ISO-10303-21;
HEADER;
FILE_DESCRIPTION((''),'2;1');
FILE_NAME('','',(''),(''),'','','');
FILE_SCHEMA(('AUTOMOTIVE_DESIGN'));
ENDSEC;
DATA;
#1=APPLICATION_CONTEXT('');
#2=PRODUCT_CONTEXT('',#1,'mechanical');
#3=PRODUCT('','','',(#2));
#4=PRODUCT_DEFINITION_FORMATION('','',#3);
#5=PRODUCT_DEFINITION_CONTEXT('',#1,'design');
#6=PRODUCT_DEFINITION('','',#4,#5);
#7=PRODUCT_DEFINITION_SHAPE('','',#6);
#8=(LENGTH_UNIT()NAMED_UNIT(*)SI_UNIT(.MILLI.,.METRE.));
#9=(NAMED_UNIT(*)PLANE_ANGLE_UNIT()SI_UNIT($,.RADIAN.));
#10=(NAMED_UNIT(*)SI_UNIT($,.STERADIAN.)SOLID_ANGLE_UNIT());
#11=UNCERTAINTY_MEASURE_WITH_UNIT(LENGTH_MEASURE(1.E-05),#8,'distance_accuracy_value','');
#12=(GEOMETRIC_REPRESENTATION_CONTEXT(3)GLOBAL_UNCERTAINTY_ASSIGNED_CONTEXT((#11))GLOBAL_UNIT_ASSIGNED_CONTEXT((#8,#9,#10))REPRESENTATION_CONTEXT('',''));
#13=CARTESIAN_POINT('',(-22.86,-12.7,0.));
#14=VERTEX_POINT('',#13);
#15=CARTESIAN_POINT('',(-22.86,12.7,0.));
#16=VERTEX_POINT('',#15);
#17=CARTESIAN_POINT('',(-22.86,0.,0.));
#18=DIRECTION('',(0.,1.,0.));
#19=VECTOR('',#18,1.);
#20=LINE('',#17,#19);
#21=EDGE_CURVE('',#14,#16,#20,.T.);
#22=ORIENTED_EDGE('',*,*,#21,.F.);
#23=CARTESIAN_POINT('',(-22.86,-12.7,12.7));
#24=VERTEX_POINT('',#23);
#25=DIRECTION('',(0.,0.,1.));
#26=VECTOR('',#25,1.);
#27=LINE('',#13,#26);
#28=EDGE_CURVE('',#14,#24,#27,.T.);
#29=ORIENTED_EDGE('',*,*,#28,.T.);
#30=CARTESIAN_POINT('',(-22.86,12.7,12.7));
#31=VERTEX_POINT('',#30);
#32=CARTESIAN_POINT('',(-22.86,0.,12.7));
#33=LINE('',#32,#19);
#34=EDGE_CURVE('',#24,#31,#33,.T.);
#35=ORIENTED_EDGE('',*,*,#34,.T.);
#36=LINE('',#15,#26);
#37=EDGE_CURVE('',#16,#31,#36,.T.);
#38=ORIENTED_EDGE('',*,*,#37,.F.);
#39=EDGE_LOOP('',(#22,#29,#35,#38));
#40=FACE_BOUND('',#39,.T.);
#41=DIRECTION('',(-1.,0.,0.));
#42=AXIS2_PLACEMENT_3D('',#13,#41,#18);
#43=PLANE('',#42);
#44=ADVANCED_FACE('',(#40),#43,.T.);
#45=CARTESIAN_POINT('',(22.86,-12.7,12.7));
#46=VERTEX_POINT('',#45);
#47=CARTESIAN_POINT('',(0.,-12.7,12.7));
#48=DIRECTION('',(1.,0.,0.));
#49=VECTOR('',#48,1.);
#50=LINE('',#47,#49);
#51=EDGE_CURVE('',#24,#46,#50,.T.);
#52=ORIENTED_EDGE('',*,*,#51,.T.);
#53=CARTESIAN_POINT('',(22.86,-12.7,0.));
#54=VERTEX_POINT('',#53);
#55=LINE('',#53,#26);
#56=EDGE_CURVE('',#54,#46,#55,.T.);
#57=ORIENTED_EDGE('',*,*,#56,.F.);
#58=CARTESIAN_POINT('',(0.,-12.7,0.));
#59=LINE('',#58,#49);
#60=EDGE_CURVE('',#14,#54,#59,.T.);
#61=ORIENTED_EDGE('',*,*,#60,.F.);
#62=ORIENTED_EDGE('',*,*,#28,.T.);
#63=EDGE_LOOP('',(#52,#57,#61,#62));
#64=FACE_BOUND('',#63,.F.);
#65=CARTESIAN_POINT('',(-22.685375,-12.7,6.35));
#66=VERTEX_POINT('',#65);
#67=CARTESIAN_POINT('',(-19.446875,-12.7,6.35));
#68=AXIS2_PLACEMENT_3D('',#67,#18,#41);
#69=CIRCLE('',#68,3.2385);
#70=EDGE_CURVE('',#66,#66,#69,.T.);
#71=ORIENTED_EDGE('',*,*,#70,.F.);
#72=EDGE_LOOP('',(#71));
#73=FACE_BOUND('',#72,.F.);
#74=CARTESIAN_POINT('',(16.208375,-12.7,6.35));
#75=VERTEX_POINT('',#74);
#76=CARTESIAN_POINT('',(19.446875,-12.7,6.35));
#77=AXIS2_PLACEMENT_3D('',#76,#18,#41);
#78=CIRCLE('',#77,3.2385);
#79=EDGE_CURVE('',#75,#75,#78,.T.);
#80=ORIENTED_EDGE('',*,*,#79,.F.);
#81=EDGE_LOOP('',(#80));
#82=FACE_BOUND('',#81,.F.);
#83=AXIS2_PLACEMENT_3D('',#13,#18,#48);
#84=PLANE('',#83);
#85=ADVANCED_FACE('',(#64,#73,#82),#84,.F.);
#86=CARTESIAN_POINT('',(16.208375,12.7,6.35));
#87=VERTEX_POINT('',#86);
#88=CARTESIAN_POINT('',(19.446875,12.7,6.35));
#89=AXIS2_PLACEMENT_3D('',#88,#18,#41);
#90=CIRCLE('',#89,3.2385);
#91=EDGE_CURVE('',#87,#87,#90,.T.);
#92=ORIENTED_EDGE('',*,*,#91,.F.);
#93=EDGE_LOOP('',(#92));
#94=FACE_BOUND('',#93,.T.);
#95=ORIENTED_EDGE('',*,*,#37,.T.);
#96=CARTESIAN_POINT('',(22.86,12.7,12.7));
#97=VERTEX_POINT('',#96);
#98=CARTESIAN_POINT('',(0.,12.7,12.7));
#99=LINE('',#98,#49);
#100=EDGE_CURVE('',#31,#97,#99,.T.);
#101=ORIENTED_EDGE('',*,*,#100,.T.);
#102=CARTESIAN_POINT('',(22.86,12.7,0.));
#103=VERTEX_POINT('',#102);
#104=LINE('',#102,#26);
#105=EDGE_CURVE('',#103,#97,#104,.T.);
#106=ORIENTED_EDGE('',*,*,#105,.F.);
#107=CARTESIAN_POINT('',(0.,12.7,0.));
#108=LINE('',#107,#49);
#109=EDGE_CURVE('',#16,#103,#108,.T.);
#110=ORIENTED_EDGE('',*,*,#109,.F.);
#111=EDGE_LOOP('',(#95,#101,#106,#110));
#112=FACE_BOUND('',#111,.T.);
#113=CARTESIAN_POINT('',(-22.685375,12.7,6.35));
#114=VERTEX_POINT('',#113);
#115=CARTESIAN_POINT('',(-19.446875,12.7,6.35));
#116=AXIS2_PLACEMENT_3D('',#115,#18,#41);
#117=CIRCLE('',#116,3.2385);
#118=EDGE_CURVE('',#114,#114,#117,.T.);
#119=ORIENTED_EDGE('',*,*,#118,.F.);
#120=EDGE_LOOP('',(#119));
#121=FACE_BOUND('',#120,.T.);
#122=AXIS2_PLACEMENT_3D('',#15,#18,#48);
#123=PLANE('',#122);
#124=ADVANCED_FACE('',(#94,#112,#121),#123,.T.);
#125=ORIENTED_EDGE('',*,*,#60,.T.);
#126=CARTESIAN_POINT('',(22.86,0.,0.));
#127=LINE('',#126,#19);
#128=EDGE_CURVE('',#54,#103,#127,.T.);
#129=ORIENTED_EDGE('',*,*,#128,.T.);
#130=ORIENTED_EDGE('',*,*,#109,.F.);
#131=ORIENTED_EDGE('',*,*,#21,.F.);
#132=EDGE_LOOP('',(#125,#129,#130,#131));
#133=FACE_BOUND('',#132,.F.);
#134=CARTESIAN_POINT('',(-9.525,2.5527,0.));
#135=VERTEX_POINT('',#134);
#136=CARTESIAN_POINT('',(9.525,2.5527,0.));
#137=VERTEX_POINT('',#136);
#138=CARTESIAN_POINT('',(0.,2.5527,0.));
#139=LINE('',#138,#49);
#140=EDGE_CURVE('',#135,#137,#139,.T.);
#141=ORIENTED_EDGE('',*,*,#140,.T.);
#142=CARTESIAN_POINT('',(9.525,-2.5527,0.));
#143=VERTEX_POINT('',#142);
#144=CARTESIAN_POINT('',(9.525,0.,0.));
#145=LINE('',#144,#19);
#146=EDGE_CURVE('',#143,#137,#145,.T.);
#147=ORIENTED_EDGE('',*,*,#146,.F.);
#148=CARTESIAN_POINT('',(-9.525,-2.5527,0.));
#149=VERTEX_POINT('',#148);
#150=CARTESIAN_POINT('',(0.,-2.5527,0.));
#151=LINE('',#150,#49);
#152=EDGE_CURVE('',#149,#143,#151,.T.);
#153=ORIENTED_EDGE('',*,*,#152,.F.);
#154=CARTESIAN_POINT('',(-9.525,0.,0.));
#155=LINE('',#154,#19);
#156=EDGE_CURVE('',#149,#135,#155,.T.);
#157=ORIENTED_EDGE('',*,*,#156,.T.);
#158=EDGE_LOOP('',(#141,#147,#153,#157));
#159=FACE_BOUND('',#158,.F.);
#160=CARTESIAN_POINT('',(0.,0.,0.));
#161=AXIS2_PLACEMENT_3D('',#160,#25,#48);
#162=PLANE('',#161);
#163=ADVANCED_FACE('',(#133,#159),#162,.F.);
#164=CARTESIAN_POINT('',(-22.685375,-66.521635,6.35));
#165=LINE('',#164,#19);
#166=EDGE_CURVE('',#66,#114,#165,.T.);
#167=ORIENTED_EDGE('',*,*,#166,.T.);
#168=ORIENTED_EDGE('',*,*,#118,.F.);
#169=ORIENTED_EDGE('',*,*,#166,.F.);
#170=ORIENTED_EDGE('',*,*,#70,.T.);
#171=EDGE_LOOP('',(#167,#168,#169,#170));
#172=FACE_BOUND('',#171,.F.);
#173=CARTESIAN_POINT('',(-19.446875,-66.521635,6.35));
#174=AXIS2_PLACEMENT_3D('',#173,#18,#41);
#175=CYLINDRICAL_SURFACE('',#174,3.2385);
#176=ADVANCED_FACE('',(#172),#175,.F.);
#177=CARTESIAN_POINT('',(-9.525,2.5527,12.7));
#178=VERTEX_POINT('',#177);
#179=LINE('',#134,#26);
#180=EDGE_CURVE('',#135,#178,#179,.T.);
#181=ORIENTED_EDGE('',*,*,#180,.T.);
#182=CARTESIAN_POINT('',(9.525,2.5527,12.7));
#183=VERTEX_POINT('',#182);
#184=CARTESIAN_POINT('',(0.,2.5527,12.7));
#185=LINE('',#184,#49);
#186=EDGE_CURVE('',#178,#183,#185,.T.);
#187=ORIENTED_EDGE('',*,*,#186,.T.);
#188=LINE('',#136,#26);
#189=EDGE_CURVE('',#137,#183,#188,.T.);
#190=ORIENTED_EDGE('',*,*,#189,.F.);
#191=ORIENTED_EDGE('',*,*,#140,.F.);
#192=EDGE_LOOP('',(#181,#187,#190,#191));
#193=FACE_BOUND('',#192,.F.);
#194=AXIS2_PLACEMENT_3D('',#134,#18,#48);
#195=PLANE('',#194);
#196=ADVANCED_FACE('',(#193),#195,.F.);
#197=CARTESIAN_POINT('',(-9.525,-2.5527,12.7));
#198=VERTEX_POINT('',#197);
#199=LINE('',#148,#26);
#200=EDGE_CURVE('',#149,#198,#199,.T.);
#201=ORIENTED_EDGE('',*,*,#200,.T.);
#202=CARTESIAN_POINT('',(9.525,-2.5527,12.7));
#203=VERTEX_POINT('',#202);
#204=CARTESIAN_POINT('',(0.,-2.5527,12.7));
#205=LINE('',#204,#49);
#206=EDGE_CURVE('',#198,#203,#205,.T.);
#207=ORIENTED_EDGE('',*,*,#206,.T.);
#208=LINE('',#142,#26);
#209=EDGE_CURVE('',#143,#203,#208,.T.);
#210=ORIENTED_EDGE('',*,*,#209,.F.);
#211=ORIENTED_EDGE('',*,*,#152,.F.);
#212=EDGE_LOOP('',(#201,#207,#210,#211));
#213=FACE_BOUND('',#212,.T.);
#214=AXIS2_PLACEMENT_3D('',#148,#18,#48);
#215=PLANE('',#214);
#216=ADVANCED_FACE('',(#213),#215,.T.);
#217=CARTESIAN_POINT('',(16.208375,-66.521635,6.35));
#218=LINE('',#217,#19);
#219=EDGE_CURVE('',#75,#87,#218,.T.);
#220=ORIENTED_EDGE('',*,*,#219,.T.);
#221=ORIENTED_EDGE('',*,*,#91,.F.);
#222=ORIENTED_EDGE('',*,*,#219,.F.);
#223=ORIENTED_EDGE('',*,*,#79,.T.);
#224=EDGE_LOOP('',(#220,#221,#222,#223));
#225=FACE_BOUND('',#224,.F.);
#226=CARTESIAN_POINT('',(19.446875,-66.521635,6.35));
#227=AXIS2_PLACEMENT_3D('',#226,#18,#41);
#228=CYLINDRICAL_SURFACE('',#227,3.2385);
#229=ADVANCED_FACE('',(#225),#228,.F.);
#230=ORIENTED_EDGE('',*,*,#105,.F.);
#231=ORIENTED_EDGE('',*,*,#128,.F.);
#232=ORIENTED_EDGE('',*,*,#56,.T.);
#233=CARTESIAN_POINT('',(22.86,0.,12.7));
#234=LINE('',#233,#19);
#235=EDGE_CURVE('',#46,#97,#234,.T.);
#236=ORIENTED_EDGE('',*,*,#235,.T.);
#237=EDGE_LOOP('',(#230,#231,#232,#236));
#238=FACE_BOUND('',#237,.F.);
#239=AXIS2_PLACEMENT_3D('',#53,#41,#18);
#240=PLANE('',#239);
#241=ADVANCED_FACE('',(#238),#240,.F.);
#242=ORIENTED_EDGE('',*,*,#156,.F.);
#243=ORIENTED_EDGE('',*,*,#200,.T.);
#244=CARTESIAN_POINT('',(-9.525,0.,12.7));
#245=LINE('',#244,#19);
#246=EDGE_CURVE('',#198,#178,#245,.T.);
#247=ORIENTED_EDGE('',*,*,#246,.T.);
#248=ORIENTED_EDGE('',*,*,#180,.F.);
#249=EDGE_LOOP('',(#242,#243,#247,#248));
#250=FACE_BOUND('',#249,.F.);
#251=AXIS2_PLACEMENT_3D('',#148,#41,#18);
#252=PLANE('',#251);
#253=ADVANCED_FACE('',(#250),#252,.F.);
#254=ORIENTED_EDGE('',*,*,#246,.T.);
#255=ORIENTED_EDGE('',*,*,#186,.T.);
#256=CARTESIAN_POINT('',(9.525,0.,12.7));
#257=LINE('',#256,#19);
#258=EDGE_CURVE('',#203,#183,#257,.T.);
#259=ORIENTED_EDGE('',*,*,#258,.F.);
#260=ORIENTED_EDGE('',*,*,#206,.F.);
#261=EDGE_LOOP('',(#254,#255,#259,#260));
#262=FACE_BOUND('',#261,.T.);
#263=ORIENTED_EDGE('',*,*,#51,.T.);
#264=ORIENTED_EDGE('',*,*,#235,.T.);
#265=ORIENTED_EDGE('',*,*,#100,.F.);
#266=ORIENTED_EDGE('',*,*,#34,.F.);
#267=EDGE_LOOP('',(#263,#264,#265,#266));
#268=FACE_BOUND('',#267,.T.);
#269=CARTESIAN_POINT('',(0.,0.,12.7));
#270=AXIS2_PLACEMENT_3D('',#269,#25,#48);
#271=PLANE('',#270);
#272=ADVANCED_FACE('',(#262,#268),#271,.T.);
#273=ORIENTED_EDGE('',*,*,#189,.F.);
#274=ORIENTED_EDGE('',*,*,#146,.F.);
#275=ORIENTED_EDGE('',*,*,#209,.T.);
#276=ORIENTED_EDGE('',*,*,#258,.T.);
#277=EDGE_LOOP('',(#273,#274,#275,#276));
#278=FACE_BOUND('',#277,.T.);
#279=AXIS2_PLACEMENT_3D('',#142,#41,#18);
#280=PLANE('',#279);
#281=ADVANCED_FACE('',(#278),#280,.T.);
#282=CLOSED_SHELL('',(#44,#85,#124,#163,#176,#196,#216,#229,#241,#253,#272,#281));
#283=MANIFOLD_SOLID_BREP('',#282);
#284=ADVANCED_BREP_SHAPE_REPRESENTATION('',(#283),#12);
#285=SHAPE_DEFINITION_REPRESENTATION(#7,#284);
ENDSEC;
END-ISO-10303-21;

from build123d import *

# Parameters (mm, degrees)
F0_W     = 45.72
F0_H     = 25.4
F0_W_2   = 19.05
F0_H_2   = 5.1054
F1_DEPTH = 12.7
F3_D     = 6.477


with BuildPart() as f1:
    # F0 (on Top) → F1 (new body)
    with BuildSketch(Plane.XY):
        Rectangle(F0_W, F0_H)
        Rectangle(F0_W_2, F0_H_2, mode=Mode.SUBTRACT)
    extrude(amount=F1_DEPTH)

    # F3 (through all)
    with Locations(Plane.XZ.offset(12.7)):
        with Locations((-19.446875, 6.35), (19.446875, 6.35)):
            Hole(F3_D / 2)


solid = f1.part
